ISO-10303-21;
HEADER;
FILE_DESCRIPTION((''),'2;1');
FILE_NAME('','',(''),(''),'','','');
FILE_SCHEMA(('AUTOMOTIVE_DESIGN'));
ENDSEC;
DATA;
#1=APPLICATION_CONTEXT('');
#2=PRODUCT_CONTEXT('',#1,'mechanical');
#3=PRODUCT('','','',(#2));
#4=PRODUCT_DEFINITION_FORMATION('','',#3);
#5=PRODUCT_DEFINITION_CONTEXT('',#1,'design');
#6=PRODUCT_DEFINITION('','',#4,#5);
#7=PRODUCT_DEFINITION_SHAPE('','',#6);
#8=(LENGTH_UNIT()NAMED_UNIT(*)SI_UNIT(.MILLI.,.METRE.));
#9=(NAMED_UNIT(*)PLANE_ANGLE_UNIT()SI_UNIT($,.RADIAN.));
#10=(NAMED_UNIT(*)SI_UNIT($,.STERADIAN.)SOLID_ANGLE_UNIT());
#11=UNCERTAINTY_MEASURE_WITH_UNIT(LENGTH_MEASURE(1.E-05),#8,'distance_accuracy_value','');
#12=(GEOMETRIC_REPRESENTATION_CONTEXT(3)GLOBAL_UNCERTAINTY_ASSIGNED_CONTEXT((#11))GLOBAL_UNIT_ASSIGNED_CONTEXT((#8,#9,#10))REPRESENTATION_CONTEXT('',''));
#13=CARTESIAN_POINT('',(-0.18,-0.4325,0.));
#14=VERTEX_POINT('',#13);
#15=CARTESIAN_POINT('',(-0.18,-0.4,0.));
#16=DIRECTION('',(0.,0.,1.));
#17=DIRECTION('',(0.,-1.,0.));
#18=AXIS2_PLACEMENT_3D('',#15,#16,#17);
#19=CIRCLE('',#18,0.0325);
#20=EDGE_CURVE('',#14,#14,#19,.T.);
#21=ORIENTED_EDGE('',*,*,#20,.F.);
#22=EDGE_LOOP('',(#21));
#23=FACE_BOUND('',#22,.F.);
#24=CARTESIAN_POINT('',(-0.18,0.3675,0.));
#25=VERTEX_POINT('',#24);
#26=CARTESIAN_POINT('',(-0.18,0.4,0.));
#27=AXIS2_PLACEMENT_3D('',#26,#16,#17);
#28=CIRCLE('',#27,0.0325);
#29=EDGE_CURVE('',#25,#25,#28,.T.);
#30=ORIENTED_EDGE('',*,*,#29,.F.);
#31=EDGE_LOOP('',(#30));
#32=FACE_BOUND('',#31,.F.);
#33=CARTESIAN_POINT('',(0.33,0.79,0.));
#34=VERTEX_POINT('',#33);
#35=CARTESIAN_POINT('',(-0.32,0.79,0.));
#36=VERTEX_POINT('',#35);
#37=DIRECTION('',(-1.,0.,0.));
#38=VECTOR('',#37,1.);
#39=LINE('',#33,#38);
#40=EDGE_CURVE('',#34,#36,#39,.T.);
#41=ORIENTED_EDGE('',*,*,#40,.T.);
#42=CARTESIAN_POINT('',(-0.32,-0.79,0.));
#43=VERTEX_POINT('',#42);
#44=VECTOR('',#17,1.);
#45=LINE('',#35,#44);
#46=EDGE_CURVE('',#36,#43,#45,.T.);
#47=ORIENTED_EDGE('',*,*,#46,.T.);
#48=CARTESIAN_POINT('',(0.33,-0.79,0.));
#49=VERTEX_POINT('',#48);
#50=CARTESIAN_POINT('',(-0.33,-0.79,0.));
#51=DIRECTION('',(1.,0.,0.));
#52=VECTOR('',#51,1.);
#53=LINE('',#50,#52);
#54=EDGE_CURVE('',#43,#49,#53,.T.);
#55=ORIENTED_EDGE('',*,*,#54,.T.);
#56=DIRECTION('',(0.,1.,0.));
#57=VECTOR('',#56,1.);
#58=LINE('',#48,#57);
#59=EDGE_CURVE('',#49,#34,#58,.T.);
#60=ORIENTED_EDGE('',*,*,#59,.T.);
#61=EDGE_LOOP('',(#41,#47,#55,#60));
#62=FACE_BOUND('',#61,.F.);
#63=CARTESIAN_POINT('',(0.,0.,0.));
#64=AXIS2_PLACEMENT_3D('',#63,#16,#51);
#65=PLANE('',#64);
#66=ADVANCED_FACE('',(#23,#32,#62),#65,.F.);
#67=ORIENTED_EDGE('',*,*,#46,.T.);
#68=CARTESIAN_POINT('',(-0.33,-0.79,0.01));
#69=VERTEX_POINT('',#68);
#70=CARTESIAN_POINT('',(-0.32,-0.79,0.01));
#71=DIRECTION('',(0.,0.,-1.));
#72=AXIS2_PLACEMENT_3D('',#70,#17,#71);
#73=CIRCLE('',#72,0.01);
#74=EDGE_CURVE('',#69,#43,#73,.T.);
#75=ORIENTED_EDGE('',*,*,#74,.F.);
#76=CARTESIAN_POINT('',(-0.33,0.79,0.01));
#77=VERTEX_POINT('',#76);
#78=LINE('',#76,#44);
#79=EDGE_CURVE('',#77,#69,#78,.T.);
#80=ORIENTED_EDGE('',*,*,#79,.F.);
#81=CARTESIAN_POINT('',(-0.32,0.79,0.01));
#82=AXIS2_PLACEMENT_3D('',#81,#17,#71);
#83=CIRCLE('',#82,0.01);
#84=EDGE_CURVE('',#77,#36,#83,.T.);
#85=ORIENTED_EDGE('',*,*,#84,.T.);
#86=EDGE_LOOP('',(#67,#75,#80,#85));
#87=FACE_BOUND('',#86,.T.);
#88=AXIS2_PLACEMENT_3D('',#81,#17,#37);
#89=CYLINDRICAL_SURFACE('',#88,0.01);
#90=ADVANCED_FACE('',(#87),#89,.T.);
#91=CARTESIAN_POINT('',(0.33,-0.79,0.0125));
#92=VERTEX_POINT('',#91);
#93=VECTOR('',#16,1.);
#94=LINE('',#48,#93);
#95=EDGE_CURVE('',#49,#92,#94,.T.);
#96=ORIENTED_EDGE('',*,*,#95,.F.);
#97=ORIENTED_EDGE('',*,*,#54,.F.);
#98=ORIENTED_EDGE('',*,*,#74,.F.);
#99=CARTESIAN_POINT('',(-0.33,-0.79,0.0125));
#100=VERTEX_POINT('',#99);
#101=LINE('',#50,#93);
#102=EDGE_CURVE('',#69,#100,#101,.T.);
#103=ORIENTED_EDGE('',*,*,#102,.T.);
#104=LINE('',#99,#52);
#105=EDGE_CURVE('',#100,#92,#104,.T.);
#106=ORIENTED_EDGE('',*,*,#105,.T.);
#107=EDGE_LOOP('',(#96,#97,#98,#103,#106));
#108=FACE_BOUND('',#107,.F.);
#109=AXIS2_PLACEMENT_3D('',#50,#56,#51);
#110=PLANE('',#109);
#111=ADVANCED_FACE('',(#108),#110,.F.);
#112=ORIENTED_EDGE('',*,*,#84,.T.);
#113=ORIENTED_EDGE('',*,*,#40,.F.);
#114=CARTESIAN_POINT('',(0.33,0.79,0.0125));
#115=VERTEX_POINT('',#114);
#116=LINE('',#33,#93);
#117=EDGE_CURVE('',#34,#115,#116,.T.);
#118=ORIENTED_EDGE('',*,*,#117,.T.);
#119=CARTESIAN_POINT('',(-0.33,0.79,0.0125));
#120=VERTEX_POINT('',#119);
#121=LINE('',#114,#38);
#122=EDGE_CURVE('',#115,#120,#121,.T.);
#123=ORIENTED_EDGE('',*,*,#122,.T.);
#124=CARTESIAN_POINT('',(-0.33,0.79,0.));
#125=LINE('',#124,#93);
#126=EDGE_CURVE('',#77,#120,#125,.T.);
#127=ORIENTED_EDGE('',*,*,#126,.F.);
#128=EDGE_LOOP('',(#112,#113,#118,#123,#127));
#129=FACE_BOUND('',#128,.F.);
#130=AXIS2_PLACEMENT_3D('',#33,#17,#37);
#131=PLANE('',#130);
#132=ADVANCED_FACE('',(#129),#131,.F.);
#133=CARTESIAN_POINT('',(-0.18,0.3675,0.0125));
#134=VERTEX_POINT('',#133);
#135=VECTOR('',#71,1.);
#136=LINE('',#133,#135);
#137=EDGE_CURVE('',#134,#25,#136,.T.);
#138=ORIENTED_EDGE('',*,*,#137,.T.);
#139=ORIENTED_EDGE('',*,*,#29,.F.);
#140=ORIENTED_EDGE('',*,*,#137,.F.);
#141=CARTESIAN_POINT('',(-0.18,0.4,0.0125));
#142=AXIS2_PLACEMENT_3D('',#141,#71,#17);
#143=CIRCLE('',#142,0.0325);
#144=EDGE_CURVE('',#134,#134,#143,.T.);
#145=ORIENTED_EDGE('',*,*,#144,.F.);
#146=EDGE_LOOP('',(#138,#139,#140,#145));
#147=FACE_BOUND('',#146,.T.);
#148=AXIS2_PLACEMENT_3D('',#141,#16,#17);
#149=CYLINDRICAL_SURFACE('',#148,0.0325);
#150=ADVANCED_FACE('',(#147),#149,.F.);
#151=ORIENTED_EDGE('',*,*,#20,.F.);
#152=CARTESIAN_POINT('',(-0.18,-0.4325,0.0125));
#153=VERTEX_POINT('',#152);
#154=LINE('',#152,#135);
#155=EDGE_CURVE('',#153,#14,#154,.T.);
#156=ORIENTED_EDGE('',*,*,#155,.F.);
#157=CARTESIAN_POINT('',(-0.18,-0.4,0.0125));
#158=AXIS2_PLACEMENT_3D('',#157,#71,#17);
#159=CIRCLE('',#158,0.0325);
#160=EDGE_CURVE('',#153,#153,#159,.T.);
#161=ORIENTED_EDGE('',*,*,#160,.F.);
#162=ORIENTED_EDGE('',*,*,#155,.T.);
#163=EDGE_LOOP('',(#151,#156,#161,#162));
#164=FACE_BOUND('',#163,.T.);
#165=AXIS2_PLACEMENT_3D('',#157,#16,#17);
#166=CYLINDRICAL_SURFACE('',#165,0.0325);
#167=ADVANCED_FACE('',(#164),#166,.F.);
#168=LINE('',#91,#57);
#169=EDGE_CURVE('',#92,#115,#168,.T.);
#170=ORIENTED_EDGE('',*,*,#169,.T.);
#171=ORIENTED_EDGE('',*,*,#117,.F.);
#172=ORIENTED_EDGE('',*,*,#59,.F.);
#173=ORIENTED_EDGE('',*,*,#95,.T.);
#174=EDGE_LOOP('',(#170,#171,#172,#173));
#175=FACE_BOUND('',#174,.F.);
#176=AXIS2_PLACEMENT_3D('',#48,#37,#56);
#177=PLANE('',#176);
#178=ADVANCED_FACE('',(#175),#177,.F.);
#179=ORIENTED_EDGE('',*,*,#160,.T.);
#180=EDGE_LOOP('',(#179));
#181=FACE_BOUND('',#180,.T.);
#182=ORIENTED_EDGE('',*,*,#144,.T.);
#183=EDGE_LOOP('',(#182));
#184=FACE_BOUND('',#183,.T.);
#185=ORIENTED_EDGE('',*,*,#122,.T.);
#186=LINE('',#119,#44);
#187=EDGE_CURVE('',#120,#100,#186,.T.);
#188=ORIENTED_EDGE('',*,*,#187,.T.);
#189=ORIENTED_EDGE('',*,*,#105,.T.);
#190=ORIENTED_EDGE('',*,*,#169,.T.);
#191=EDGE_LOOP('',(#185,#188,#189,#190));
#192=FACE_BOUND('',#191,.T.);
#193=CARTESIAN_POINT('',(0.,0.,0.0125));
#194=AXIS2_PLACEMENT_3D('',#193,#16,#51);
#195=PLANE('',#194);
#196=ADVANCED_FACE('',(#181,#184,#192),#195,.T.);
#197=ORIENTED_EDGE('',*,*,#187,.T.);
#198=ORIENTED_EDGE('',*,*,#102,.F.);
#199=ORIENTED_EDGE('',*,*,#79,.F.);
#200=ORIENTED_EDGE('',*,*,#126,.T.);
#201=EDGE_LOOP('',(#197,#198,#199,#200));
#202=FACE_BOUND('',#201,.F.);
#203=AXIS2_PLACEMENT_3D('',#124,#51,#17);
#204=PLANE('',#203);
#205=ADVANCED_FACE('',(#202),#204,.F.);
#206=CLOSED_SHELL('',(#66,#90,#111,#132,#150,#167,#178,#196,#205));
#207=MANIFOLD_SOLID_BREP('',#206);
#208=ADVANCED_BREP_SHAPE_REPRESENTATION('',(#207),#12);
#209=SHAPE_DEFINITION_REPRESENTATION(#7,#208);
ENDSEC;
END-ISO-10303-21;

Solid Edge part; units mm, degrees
sketch "Sketch1" plane through (0, 0, 0) normal (0, 0, 1) x (1, 0, 0)
  line L0 (-0.33, -0.79) -> (0.33, -0.79)
  line L1 (0.33, -0.79) -> (0.33, 0.79)
  line L2 (0.33, 0.79) -> (-0.33, 0.79)
  line L3 (-0.33, 0.79) -> (-0.33, -0.79)
  dimension "D1" = 0.66
  dimension "D2" = 1.58
extrude "Protrusion1" add sketch "Sketch1" along normal blind 0.0125
fillet "Verrundung_1" radius 0.01 1 edges at (-0.33, 0, 0)
hole "Bohrung_1" at (-0.18, -0.4, 0.0125) direction (0, 0, -1) diameter 0.065 end up to next
hole "Hole1" at (-0.18, 0.4, 0.0125) direction (0, 0, -1) diameter 0.065 end up to next
